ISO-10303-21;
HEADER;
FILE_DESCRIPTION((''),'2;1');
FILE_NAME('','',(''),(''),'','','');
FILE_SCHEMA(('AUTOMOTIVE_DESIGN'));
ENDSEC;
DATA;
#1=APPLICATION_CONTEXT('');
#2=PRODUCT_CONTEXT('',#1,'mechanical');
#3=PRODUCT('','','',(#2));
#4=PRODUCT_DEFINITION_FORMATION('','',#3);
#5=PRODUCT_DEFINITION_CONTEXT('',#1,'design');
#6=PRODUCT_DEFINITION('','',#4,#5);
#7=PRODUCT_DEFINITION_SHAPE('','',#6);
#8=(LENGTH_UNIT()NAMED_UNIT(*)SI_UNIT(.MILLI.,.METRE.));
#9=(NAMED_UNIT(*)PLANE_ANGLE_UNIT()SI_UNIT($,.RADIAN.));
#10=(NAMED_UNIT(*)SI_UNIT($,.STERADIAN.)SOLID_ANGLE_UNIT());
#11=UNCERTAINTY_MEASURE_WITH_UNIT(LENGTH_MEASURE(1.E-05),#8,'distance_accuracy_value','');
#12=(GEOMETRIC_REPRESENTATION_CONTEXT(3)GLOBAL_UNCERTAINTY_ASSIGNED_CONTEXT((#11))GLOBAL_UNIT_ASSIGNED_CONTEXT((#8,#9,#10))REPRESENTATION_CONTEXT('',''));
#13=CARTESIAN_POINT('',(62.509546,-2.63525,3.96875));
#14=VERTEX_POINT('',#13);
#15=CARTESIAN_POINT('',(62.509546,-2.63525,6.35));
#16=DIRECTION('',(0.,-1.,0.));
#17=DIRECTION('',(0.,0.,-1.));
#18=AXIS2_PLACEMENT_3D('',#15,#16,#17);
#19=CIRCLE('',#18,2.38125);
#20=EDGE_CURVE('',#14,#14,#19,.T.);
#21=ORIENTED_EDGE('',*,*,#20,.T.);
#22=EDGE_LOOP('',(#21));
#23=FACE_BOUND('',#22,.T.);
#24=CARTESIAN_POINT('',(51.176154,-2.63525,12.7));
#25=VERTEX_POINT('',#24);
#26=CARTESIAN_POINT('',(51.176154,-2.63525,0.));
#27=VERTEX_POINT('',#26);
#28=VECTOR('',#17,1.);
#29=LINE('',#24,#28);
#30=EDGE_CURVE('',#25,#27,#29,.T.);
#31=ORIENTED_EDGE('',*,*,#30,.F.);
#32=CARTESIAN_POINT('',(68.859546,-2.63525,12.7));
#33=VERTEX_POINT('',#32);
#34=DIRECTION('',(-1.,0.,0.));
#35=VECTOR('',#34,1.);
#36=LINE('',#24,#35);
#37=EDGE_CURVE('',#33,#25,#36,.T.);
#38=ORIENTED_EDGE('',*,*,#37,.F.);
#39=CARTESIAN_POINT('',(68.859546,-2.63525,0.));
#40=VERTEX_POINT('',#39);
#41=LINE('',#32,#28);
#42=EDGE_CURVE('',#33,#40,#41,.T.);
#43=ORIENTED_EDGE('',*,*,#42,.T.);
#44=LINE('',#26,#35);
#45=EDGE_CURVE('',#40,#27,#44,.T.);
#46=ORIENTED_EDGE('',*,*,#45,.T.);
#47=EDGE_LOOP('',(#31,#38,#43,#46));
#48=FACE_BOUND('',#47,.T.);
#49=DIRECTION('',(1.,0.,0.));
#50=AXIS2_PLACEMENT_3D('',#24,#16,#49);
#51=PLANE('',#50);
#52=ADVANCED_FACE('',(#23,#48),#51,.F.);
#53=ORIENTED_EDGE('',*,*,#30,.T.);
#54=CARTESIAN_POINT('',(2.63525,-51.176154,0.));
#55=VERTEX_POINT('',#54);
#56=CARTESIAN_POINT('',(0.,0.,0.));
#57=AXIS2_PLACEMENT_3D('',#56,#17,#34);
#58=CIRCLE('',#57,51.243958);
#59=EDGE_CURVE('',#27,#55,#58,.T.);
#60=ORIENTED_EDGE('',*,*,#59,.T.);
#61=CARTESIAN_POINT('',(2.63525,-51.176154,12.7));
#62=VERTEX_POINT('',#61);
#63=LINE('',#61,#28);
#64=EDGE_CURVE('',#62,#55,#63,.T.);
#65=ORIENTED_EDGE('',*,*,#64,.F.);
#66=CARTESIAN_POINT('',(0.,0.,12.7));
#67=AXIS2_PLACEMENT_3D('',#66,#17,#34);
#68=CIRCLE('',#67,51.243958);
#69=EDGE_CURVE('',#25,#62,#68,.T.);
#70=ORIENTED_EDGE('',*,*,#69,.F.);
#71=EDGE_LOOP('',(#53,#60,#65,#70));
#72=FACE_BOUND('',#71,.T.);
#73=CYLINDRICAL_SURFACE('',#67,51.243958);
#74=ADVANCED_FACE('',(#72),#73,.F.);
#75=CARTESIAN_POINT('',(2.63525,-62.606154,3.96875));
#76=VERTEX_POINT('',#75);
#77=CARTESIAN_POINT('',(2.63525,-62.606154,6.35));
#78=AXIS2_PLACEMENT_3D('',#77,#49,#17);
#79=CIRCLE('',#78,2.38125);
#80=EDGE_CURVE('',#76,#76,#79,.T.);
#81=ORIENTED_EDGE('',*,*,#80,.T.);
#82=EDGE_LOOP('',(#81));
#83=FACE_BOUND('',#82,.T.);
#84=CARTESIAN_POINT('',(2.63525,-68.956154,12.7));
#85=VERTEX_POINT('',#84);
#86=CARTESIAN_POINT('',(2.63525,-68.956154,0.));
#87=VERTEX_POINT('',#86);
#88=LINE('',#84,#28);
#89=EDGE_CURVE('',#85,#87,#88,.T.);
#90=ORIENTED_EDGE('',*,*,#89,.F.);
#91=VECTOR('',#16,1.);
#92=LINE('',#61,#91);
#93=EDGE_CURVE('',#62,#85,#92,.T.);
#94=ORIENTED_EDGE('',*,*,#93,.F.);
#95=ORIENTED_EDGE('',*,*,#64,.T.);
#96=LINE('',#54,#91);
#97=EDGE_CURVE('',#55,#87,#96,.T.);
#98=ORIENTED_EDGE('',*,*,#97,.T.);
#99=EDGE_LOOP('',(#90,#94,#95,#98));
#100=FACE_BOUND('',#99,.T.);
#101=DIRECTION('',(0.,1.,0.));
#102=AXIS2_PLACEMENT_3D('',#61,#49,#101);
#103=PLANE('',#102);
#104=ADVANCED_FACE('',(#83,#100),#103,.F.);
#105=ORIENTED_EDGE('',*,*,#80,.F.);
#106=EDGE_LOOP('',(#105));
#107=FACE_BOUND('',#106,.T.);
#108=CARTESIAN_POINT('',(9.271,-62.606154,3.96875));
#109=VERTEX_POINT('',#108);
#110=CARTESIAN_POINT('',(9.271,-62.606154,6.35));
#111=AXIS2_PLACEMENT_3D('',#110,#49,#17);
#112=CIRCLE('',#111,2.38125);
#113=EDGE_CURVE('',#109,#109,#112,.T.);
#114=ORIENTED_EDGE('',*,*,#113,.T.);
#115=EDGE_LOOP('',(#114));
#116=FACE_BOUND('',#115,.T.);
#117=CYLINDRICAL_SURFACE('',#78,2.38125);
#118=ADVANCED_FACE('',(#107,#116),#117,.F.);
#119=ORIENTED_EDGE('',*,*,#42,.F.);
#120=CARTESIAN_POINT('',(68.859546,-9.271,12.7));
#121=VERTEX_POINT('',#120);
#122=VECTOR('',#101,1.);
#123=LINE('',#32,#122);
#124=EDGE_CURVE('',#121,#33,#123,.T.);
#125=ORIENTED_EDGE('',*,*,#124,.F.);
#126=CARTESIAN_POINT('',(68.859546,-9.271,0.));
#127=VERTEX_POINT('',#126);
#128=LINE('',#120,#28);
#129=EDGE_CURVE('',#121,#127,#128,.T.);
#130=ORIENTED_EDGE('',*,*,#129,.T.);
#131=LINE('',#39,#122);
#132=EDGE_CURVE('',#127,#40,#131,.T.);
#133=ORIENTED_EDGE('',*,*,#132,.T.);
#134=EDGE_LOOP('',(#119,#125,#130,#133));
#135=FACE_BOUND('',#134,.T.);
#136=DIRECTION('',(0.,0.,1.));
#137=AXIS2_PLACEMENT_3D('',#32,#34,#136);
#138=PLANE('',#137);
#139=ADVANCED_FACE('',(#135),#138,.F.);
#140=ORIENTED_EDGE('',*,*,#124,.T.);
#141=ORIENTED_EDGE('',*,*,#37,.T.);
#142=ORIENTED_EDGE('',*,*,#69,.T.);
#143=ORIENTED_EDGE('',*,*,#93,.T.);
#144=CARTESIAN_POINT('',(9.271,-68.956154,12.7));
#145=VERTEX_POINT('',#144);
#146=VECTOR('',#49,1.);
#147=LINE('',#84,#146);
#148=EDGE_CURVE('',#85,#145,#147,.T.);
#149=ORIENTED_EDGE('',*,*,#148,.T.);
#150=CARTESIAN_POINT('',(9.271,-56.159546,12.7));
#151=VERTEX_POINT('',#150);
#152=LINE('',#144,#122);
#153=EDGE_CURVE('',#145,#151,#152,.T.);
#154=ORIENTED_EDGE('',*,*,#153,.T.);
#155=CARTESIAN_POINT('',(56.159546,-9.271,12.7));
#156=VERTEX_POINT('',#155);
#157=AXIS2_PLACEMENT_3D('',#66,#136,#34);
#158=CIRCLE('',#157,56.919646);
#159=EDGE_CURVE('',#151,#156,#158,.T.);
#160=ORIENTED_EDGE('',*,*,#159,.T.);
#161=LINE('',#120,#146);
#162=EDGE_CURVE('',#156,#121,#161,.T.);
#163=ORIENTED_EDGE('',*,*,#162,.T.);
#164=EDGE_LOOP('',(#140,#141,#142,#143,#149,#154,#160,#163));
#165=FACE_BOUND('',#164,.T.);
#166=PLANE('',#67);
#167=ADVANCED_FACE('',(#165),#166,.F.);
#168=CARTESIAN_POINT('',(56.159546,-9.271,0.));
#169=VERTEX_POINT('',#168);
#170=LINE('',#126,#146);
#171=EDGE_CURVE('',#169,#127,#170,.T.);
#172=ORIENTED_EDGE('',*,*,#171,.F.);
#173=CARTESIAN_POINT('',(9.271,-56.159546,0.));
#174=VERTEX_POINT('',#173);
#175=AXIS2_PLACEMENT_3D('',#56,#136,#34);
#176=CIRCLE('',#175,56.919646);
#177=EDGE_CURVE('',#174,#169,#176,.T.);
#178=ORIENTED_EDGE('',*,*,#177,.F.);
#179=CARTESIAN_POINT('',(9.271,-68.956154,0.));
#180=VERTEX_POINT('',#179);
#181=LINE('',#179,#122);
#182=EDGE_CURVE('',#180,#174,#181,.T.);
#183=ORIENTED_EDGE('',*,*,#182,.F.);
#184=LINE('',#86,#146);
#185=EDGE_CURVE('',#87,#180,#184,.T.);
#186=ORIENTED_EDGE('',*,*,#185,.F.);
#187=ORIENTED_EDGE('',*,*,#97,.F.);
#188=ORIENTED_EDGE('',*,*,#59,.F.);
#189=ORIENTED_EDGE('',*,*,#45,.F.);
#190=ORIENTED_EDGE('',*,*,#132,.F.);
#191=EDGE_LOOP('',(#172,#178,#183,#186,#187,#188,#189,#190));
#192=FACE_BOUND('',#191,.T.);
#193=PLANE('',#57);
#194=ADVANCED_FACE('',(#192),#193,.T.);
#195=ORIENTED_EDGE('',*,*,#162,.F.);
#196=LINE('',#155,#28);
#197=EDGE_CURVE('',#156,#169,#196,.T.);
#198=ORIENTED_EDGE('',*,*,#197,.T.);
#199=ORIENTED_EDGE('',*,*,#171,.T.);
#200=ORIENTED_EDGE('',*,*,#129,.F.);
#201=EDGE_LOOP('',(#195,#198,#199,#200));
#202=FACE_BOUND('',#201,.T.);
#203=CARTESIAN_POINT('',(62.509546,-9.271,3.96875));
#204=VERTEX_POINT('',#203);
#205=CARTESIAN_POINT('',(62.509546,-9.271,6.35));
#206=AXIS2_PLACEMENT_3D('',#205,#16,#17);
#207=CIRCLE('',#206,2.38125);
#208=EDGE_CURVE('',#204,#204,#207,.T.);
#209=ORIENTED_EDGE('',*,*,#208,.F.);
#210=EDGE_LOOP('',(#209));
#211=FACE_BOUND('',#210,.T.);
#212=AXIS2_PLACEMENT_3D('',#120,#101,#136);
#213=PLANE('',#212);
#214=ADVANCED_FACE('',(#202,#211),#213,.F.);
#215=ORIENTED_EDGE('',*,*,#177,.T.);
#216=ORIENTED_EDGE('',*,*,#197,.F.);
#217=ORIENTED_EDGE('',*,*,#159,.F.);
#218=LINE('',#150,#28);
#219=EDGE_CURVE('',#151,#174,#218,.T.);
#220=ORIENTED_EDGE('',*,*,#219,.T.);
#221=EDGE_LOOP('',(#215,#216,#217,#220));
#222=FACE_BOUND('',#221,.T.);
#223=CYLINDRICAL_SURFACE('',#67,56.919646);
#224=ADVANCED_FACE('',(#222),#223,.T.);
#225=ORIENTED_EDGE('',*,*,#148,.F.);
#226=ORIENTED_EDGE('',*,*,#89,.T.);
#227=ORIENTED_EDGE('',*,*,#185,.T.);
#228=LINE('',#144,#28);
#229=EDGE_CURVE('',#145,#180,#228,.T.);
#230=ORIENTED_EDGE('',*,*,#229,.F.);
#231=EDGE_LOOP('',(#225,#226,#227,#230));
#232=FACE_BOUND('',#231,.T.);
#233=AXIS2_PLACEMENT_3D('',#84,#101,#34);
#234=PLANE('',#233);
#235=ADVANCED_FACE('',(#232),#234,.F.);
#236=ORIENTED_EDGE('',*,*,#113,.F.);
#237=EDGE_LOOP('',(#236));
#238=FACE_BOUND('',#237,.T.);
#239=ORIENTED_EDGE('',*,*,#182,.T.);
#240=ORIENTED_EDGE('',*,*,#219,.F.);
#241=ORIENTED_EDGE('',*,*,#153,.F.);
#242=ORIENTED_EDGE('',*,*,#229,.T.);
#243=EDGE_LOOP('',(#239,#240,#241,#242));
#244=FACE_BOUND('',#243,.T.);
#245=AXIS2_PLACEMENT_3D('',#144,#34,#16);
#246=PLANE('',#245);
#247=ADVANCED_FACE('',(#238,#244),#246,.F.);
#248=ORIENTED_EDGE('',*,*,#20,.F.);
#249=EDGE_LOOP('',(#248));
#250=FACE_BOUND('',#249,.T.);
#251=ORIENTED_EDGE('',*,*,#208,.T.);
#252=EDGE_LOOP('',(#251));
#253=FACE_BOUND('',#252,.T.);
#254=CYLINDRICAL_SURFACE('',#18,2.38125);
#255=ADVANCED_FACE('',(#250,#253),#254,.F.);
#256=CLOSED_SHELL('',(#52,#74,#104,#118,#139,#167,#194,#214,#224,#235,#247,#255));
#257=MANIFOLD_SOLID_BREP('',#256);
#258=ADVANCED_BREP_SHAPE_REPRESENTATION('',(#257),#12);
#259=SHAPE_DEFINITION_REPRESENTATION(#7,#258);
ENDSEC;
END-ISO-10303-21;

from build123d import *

# Parameters (mm, degrees)
BOSS_EXTRUDE3_DEPTH = 12.7
SKETCH2_R           = 2.38125
CUT_EXTRUDE1_DEPTH  = 7.63575
SKETCH3_R           = 2.38125
CUT_EXTRUDE2_DEPTH  = 7.63575


with BuildPart() as part:
    # Sketch1 → Boss-Extrude3 (new body)
    with BuildSketch(Plane.XY):
        with BuildLine():
            Line((51.176153738, -2.63525), (68.859545977, -2.63525))
            Line((68.859545977, -2.63525), (68.859545977, -9.271))
            Line((68.859545977, -9.271), (56.159545977, -9.271))
            ThreePointArc((56.159545977, -9.271), (40.248267325, -40.248267325), (9.271, -56.159545977))
            Line((9.271, -56.159545977), (9.271, -68.956153738))
            Line((9.271, -68.956153738), (2.63525, -68.956153738))
            Line((2.63525, -68.956153738), (2.63525, -51.176153738))
            ThreePointArc((2.63525, -51.176153738), (36.234950351, -36.234950351), (51.176153738, -2.63525))
        make_face()
    extrude(amount=BOSS_EXTRUDE3_DEPTH)

    # Sketch2 → Cut-Extrude1 (cut, through all)
    with BuildSketch(Plane(origin=(9.271, 0, 0), x_dir=(0, 0, -1), z_dir=(1, 0, 0))):
        with Locations((-6.35, -62.606153738)):
            Circle(SKETCH2_R)
    extrude(amount=-CUT_EXTRUDE1_DEPTH, mode=Mode.SUBTRACT)

    # Sketch3 → Cut-Extrude2 (cut, through all)
    with BuildSketch(Plane.XZ.offset(9.271)):
        with Locations((62.509545977, 6.35)):
            Circle(SKETCH3_R)
    extrude(amount=-CUT_EXTRUDE2_DEPTH, mode=Mode.SUBTRACT)


solid = part.part
